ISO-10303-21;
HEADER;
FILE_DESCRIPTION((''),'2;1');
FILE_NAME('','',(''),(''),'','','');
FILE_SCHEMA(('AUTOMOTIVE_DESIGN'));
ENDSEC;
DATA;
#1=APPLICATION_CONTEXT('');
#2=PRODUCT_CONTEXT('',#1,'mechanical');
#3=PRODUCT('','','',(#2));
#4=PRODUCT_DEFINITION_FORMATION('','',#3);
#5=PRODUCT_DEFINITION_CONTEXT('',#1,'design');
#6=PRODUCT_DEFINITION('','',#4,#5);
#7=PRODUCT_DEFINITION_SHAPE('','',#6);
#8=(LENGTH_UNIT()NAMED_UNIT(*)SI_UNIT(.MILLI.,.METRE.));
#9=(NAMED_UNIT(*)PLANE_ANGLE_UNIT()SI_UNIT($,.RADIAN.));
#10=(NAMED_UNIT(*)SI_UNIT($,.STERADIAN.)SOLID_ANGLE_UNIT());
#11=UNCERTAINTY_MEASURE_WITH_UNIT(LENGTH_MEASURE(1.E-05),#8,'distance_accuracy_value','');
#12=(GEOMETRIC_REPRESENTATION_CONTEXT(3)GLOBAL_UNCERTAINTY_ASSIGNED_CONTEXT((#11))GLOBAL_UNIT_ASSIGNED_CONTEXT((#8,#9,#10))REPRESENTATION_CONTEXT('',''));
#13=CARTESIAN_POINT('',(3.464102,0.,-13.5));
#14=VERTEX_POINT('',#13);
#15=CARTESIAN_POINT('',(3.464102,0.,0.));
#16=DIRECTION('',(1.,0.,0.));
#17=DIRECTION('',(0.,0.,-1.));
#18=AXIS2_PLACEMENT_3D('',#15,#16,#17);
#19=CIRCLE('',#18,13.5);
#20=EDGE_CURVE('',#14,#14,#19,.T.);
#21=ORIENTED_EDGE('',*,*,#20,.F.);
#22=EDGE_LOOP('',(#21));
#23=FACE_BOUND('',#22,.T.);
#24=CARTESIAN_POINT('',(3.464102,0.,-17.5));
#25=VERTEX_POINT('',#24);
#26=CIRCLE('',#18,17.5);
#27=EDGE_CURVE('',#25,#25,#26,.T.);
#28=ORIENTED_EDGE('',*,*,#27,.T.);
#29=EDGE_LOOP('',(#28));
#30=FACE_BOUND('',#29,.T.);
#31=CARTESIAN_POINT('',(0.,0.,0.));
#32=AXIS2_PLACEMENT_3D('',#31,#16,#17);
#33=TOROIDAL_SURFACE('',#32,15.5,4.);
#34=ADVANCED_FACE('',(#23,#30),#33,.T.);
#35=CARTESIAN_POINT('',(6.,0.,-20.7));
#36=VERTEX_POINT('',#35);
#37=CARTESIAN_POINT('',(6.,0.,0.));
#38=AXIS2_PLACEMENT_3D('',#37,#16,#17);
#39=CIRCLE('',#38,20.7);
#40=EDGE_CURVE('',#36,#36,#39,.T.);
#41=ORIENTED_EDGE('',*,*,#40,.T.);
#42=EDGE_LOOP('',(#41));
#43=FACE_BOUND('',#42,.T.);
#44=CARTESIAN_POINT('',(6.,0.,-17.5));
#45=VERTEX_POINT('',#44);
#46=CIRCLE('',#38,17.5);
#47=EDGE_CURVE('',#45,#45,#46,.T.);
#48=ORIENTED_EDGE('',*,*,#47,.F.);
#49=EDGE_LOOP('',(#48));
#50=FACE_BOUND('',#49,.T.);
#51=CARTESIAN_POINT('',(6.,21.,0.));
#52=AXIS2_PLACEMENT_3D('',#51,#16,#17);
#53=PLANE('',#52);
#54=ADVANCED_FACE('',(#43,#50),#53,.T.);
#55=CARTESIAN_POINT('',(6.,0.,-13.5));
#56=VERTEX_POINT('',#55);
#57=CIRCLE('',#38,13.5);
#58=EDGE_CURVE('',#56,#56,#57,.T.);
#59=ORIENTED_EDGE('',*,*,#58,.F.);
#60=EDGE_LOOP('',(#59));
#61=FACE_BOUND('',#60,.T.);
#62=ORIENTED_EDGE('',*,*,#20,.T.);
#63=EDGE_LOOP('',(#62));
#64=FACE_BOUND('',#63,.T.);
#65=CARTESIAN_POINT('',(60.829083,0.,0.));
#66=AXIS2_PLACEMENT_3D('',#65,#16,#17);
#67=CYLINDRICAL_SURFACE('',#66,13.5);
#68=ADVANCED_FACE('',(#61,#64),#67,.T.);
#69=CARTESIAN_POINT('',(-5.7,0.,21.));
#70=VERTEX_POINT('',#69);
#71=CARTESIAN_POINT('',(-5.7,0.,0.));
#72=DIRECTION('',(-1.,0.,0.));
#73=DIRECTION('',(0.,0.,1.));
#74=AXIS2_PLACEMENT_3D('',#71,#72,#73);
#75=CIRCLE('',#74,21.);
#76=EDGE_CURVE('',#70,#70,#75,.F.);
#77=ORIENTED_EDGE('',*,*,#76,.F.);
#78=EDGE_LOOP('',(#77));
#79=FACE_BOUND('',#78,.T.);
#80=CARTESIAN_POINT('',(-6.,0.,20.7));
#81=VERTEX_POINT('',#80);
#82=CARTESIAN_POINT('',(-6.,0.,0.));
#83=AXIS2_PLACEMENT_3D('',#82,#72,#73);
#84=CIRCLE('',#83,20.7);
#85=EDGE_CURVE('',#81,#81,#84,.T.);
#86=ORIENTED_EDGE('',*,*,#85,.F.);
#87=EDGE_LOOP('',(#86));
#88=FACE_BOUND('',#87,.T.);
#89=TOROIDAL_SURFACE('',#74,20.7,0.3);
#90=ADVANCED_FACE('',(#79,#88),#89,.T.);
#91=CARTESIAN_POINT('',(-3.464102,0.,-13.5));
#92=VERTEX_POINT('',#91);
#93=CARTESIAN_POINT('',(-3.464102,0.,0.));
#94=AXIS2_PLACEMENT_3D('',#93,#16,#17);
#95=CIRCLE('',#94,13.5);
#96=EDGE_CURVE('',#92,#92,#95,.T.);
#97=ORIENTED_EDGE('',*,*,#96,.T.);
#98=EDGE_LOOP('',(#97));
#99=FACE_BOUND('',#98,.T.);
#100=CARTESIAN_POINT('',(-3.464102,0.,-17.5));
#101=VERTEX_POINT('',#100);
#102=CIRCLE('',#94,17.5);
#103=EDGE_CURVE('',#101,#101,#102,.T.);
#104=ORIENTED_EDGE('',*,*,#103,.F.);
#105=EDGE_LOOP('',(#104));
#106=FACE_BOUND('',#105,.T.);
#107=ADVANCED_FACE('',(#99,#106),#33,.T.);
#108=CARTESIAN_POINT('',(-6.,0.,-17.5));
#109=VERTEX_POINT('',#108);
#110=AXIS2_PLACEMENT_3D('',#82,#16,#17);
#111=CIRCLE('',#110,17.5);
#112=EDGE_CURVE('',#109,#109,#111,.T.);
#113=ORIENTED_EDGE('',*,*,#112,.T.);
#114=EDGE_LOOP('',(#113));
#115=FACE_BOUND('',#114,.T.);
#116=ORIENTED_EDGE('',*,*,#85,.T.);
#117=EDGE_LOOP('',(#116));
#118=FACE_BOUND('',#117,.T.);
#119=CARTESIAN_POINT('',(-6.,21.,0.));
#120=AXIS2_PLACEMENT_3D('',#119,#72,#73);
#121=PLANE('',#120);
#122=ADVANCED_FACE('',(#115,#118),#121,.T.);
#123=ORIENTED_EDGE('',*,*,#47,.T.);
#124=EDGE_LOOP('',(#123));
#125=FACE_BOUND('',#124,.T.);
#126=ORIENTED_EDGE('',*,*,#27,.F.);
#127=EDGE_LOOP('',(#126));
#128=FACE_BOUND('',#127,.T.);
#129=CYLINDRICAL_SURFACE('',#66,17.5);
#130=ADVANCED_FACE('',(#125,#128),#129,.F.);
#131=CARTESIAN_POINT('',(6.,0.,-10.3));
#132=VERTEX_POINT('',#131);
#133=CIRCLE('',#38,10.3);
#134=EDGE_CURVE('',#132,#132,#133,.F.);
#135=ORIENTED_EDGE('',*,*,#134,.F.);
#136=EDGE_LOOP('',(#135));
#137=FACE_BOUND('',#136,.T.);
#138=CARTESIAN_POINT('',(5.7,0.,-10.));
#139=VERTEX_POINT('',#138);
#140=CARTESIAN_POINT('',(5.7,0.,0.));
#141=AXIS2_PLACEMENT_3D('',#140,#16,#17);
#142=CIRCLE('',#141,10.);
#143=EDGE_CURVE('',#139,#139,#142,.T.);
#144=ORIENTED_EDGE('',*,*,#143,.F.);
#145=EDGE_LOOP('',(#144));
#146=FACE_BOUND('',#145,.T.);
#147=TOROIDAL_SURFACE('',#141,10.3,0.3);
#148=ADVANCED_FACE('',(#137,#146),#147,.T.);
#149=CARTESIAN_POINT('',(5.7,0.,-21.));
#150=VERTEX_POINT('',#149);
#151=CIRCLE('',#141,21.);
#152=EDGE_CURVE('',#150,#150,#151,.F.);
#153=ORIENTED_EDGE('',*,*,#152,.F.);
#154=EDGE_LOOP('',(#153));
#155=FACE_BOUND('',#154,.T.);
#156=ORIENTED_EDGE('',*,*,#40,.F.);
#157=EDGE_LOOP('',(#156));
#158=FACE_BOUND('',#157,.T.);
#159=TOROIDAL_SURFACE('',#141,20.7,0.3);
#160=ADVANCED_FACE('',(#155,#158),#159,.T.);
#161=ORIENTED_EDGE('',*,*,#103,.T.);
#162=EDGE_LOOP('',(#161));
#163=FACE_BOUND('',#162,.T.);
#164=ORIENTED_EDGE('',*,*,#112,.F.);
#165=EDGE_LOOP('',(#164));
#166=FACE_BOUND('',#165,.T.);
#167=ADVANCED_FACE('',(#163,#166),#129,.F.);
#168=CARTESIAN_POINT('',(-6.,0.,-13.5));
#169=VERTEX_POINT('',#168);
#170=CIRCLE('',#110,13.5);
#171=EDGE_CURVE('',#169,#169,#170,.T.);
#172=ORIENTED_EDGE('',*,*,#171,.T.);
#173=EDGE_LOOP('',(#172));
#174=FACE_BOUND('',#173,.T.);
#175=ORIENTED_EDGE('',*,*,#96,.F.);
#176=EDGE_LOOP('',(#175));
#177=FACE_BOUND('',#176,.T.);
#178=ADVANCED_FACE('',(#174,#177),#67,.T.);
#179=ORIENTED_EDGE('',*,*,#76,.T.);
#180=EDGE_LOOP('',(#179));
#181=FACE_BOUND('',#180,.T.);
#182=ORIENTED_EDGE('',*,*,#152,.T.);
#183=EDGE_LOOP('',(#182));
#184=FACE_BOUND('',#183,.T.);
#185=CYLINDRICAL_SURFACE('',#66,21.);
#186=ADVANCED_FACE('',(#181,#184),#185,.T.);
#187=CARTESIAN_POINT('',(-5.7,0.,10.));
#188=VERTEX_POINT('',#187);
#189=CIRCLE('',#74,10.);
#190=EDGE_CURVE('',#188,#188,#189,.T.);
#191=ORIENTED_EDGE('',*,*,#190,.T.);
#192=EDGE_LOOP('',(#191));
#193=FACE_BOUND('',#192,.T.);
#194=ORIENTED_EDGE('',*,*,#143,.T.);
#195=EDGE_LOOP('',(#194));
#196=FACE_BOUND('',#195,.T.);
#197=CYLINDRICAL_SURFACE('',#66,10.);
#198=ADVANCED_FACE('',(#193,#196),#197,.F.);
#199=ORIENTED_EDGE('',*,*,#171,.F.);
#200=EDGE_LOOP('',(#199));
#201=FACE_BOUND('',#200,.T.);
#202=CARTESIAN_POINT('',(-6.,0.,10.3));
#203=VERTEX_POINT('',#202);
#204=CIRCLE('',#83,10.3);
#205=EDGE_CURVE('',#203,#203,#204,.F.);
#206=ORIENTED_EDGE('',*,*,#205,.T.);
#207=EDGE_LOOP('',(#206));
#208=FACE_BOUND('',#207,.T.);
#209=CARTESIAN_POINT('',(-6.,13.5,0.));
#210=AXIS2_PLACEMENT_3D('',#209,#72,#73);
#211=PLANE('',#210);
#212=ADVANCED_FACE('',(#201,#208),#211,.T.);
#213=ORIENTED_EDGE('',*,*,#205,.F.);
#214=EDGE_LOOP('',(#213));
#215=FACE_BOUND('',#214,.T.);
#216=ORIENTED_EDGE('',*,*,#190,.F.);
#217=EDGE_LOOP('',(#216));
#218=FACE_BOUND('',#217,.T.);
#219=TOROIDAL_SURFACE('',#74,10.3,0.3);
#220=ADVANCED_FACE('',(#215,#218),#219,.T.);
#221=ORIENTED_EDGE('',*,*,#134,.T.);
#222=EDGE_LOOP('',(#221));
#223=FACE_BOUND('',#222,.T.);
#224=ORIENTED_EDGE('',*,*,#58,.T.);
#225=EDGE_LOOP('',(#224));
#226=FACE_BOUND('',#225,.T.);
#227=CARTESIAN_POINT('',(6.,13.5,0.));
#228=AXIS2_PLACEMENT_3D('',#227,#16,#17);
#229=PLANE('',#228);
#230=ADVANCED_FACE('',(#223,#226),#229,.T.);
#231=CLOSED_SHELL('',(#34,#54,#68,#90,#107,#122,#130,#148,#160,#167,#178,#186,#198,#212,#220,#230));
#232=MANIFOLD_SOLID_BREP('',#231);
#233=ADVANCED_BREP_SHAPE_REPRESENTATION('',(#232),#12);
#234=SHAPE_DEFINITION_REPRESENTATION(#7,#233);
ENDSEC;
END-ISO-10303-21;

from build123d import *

# Parameters (mm, degrees)
FILLET1_R = 0.3


with BuildPart() as part:
    # Sketch1 → Revolve1 (revolve)
    with BuildSketch(Plane.XY):
        with BuildLine():
            Line((-6, 21), (6, 21))
            Line((6, 21), (6, 17.5))
            Line((6, 17.5), (3.464101615, 17.5))
            ThreePointArc((3.464101615, 17.5), (4, 15.5), (3.464101615, 13.5))
            Line((3.464101615, 13.5), (6, 13.5))
            Line((6, 13.5), (6, 10))
            Line((6, 10), (-6, 10))
            Line((-6, 10), (-6, 13.5))
            Line((-6, 13.5), (-3.464101615, 13.5))
            ThreePointArc((-3.464101615, 13.5), (-4, 15.5), (-3.464101615, 17.5))
            Line((-3.464101615, 17.5), (-6, 17.5))
            Line((-6, 17.5), (-6, 21))
        make_face()
    revolve(axis=Axis((60.829082801, 0, 0), (-1, 0, 0)))

    # Fillet1
    fillet1_edges = [part.edges().sort_by_distance(p)[0] for p in [
        (-6, -10, 0),
        (6, -10, 0),
        (6, -21, 0),
        (-6, -21, 0),
    ]]
    fillet(fillet1_edges, radius=FILLET1_R)


solid = part.part
